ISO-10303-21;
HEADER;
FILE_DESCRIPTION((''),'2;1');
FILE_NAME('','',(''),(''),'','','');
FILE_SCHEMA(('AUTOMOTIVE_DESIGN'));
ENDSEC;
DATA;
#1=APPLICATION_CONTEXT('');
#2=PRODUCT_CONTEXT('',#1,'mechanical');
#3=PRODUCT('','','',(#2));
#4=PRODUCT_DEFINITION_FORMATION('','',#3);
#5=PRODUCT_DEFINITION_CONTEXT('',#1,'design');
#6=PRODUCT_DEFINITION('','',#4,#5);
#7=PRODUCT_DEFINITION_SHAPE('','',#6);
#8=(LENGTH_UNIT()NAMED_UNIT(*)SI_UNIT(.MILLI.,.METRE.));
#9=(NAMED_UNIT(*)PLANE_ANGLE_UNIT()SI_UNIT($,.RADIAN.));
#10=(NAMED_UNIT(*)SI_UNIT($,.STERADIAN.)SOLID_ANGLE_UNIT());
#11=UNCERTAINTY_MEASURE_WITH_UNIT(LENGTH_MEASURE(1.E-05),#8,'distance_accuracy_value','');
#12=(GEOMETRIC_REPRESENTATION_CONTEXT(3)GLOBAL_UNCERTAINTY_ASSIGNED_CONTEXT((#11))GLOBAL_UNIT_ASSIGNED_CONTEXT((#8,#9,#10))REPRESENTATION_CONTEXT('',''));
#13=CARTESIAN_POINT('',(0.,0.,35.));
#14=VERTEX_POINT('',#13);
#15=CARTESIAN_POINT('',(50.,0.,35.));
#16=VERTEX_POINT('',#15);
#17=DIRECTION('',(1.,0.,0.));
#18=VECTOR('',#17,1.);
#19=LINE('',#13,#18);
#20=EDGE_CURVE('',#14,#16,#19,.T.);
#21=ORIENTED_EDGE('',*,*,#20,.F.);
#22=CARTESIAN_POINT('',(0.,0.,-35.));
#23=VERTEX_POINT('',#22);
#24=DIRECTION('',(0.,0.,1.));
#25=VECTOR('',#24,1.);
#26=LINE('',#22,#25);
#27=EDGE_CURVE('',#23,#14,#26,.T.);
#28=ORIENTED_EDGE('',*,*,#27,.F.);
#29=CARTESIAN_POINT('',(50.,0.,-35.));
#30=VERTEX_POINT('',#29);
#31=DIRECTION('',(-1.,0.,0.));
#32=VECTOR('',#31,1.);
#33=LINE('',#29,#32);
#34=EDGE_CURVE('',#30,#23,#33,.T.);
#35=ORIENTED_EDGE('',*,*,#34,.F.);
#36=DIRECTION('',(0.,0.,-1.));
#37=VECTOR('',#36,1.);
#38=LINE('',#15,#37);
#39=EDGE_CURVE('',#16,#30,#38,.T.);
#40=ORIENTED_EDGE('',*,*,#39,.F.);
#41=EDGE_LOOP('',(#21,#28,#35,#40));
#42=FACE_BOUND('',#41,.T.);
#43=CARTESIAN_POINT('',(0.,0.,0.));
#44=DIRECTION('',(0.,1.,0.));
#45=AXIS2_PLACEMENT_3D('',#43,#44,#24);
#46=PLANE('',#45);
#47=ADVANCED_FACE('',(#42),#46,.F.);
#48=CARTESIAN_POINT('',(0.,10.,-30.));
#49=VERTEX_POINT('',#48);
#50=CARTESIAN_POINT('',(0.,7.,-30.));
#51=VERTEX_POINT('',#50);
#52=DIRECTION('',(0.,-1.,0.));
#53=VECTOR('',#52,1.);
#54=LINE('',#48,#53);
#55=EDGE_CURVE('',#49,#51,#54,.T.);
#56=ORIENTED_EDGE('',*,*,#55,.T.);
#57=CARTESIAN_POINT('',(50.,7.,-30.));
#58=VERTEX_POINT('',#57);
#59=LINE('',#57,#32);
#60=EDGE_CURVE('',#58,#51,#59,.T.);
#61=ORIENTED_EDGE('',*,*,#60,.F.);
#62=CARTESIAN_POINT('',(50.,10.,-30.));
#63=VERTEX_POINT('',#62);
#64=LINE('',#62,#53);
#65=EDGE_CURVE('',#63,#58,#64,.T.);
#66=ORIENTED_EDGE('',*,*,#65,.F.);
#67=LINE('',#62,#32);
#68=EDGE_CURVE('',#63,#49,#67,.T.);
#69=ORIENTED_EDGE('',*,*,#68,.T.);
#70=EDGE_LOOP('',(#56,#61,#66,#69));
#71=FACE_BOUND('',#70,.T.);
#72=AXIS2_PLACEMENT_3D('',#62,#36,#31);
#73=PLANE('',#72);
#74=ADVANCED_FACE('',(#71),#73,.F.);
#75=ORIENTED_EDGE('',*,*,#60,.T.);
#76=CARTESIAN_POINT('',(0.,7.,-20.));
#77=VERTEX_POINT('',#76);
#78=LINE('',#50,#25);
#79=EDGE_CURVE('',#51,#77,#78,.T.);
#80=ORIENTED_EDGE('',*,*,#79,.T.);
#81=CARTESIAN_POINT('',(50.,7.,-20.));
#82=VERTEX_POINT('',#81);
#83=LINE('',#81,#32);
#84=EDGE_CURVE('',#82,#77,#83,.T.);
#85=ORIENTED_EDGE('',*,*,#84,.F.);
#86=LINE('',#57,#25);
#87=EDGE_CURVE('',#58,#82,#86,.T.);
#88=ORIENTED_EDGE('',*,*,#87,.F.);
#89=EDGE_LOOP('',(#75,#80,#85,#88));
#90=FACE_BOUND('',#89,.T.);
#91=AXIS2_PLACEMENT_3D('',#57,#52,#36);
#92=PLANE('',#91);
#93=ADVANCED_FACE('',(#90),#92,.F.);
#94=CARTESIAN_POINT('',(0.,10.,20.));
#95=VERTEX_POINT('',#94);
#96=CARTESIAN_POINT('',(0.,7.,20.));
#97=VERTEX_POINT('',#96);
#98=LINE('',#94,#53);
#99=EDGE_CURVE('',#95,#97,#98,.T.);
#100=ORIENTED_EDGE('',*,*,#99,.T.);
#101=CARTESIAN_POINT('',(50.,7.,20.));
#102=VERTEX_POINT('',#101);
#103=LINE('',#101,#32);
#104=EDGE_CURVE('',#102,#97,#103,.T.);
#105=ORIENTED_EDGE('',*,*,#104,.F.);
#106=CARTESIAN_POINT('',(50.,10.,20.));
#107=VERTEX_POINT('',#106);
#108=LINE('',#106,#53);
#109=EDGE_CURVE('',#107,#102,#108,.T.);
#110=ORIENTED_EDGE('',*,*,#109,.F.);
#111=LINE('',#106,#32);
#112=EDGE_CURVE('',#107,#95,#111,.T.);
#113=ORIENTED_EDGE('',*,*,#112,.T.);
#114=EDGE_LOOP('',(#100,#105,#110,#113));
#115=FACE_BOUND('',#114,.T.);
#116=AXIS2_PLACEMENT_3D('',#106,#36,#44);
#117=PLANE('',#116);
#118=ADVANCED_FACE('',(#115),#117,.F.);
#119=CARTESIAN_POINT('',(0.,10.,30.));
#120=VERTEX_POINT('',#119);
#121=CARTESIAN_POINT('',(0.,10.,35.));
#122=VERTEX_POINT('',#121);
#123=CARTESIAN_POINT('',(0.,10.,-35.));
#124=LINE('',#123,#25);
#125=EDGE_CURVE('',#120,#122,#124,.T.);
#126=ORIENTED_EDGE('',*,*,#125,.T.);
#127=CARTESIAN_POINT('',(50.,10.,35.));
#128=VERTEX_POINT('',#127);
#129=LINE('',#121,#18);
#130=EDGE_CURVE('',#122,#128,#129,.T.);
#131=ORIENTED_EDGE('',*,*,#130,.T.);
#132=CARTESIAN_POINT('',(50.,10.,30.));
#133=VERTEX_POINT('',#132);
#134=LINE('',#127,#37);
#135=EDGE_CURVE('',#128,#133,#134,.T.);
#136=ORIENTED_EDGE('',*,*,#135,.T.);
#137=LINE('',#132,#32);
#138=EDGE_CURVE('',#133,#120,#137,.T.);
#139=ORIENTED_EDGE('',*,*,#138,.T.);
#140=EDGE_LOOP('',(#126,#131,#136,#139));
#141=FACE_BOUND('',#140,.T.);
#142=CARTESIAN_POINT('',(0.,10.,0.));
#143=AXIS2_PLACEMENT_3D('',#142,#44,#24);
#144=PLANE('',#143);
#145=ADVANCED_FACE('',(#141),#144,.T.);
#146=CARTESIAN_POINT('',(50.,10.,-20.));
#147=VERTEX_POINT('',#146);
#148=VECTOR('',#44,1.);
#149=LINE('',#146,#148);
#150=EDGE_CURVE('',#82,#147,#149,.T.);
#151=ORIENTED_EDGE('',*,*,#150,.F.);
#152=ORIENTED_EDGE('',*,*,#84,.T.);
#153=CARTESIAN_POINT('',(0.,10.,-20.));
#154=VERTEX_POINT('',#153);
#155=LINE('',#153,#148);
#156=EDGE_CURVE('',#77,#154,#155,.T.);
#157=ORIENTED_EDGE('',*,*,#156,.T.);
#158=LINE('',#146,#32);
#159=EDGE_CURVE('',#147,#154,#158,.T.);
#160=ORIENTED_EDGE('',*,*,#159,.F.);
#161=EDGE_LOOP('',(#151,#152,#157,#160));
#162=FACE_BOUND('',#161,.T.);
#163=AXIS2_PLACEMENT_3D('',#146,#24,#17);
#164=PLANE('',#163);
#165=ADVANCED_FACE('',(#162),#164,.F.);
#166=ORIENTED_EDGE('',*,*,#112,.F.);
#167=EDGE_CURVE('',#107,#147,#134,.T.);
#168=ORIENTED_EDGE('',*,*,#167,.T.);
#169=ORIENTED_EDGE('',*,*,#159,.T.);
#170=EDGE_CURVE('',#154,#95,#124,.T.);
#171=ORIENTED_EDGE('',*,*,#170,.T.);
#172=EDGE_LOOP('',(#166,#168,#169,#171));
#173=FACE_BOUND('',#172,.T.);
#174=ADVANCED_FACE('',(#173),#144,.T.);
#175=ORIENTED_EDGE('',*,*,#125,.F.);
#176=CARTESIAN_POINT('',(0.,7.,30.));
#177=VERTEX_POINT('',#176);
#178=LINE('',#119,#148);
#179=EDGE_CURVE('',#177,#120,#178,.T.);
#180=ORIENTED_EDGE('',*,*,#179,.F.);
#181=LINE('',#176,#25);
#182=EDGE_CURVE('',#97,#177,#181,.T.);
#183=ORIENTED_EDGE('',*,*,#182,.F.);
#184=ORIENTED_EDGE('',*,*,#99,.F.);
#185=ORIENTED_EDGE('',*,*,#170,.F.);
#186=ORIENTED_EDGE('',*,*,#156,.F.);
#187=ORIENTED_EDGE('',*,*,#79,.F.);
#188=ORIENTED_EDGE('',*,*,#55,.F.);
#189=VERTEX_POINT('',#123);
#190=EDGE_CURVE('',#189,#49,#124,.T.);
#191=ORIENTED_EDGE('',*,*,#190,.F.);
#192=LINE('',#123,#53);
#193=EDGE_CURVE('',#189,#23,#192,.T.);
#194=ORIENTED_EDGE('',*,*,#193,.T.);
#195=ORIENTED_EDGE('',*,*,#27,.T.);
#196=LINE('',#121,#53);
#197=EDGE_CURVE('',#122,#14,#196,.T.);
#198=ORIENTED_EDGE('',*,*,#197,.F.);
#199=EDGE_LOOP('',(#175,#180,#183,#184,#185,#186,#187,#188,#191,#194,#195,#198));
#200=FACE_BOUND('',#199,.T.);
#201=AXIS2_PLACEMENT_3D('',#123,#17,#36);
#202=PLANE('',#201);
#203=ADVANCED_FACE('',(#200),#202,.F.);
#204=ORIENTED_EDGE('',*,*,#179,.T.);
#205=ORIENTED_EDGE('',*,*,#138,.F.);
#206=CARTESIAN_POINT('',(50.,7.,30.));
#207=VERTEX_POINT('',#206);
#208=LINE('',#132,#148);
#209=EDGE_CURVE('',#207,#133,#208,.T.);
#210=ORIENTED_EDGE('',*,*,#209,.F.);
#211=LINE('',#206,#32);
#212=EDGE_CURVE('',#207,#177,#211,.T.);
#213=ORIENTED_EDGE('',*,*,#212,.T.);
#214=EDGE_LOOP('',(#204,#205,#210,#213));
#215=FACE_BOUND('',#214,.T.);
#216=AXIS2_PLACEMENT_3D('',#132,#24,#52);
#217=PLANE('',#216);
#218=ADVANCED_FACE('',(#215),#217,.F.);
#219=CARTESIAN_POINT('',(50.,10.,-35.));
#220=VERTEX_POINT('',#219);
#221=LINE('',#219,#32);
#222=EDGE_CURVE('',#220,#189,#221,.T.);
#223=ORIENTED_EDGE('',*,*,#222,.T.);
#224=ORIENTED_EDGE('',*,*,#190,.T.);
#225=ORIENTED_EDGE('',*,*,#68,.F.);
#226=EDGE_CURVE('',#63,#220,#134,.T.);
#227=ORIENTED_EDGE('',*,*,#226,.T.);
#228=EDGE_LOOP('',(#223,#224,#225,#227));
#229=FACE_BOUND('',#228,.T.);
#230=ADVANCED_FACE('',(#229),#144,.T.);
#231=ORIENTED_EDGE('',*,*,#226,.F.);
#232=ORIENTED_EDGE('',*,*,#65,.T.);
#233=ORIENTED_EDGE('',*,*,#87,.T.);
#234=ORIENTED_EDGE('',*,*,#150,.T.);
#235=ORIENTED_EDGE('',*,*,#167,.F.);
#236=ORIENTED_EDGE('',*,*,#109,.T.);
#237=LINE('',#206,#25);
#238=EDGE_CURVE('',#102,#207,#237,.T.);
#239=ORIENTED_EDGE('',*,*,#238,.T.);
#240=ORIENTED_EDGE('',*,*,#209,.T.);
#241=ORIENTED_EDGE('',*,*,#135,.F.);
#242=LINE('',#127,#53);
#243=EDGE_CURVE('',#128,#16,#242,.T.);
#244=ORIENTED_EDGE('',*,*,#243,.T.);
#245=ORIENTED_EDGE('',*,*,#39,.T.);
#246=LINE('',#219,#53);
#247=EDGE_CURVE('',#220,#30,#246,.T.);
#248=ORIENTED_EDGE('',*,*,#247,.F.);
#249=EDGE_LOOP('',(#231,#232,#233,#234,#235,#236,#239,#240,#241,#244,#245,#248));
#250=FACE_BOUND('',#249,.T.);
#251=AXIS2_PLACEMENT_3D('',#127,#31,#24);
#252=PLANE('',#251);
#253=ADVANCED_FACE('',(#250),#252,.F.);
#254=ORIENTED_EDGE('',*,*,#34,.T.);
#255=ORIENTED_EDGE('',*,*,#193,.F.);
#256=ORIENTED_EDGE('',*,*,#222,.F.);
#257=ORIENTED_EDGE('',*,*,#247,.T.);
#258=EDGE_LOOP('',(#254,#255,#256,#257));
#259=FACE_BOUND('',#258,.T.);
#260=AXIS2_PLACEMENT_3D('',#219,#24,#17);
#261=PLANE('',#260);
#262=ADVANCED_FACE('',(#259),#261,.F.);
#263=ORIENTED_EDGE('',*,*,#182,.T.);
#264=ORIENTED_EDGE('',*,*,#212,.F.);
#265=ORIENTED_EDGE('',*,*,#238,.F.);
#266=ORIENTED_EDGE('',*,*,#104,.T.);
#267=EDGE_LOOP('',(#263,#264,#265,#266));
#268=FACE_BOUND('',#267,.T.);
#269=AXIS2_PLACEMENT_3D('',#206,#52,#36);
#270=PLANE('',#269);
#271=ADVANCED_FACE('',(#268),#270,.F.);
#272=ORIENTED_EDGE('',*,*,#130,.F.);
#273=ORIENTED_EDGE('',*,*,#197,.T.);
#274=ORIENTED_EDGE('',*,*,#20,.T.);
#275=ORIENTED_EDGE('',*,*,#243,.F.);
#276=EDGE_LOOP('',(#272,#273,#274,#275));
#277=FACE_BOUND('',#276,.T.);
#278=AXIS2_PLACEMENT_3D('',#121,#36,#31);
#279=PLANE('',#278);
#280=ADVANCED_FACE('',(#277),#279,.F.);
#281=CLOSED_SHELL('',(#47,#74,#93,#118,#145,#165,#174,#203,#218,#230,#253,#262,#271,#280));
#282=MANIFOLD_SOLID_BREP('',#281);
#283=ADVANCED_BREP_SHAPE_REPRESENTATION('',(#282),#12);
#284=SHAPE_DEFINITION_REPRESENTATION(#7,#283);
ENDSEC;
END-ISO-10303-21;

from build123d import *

# Parameters (mm, degrees)
SKETCH1_W           = 50
SKETCH1_H           = 70
BOSS_EXTRUDE1_DEPTH = 10
SKETCH3_W           = 10
SKETCH3_H           = 3
CUT_EXTRUDE1_DEPTH  = 62.846584384


with BuildPart() as part:
    # Sketch1 → Boss-Extrude1 (new body)
    with BuildSketch(Plane(origin=(0, 0, 0), x_dir=(1, 0, 0), z_dir=(0, 1, 0))):
        with Locations((25, 0)):
            Rectangle(SKETCH1_W, SKETCH1_H)
    extrude(amount=BOSS_EXTRUDE1_DEPTH)

    # Sketch3 → Cut-Extrude1 (cut, through all)
    with BuildSketch(Plane.ZY):
        with Locations((-25, 8.5)):
            Rectangle(SKETCH3_W, SKETCH3_H)
        with Locations((25, 8.5)):
            Rectangle(SKETCH3_W, SKETCH3_H)
    extrude(amount=-CUT_EXTRUDE1_DEPTH, mode=Mode.SUBTRACT)


solid = part.part
